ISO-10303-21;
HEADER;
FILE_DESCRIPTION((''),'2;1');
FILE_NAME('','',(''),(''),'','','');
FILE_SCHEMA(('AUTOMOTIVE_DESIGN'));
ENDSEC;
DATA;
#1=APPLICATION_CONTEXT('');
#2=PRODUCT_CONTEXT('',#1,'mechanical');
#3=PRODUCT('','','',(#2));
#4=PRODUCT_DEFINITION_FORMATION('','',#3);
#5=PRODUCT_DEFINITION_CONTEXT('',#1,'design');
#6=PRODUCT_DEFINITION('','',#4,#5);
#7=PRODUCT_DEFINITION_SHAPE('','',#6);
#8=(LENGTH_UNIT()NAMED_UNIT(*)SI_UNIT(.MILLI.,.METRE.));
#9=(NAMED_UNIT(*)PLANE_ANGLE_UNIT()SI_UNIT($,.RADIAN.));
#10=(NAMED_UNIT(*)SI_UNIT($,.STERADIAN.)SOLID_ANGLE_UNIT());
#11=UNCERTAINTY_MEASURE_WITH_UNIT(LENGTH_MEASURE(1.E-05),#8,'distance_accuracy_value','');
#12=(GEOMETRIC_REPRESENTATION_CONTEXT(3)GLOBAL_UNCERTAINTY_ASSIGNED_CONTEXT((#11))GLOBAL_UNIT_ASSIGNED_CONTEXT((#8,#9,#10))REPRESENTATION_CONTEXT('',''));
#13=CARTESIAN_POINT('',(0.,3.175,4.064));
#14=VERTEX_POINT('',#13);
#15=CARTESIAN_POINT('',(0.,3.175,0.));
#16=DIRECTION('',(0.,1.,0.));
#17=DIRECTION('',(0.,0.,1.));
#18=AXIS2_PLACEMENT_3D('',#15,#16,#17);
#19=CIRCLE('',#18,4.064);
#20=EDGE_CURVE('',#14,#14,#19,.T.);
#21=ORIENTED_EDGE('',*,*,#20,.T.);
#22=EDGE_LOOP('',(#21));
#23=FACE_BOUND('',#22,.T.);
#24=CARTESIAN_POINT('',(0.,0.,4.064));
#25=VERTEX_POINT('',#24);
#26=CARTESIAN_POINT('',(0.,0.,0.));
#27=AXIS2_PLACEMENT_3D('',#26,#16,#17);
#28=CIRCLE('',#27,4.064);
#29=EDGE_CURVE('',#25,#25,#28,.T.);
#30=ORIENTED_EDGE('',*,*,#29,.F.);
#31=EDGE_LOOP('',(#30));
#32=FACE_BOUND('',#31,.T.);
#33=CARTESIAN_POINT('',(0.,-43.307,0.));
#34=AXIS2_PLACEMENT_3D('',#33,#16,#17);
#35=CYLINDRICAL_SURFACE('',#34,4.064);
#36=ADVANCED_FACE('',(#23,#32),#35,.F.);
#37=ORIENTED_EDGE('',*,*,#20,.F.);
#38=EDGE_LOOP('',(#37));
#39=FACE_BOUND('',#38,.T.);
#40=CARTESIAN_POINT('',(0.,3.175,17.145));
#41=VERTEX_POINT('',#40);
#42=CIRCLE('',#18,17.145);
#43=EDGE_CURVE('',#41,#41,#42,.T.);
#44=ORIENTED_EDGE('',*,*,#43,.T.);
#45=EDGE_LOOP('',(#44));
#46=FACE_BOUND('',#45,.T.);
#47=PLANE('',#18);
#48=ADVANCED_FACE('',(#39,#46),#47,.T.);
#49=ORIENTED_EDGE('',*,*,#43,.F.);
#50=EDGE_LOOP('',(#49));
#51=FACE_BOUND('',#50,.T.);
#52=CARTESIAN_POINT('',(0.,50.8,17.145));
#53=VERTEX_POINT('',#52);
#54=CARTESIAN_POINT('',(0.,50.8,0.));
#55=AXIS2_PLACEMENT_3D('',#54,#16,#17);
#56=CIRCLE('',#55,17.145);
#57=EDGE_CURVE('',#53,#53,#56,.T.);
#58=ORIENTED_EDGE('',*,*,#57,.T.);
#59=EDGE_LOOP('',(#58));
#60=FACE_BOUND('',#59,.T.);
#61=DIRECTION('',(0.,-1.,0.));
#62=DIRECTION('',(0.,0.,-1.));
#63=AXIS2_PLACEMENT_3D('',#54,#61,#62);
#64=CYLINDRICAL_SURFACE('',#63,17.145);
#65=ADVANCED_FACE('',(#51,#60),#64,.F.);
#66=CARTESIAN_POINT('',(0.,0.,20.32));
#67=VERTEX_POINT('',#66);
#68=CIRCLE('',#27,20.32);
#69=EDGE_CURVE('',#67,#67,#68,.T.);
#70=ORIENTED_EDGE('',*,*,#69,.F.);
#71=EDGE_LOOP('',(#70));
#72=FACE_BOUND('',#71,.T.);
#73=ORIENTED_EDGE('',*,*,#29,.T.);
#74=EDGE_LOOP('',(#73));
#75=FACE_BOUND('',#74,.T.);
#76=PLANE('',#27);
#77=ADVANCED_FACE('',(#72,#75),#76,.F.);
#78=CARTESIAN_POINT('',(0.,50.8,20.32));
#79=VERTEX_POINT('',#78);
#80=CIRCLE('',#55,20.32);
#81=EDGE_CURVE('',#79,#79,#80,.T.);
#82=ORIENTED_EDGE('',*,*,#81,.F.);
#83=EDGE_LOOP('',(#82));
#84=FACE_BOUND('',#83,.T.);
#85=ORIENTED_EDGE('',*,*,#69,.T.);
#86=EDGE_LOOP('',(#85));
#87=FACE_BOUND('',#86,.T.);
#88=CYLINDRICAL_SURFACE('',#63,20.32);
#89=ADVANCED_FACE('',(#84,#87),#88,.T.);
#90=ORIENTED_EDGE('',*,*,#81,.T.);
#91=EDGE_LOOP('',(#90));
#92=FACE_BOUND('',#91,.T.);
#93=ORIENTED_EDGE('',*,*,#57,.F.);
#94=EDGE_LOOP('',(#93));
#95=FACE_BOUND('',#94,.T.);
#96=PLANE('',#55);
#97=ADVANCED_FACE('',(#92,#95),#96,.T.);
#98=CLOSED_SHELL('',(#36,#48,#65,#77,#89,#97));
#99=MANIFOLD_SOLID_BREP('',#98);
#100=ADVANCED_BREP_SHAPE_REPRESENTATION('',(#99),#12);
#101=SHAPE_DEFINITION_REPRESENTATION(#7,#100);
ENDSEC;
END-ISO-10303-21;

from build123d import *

# Parameters (mm, degrees)
SKETCH1_R               = 20.32
BOSS_EXTRUDE1_DEPTH     = 50.8
SHELL1_T                = -3.175
SKETCH2_R               = 4.064
CUT_EXTRUDE1_DEPTH      = 56.623245366
CUT_EXTRUDE1_DEPTH_BACK = 46.482


with BuildPart() as part:
    # Sketch1 → Boss-Extrude1 (new body)
    with BuildSketch(Plane(origin=(0, 0, 0), x_dir=(1, 0, 0), z_dir=(0, 1, 0))):
        with Locations(Location((0, 0, 0), (0, 0, 270))):
            Circle(SKETCH1_R)
    extrude(amount=BOSS_EXTRUDE1_DEPTH)

    # Shell1
    shell1_openings = [part.faces().sort_by_distance(p)[0] for p in [
        (0, 50.8, 0),
    ]]
    offset(amount=SHELL1_T, openings=shell1_openings, kind=Kind.INTERSECTION)

    # Sketch2 → Cut-Extrude1 (cut, two sides)
    with BuildSketch(Plane(origin=(0, 3.175, 0), x_dir=(1, 0, 0), z_dir=(0, 1, 0))) as cut_extrude1_sk:
        with Locations(Location((0, 0, 0), (0, 0, 270))):
            Circle(SKETCH2_R)
    extrude(amount=CUT_EXTRUDE1_DEPTH, mode=Mode.SUBTRACT)
    extrude(cut_extrude1_sk.sketch, amount=-CUT_EXTRUDE1_DEPTH_BACK, mode=Mode.SUBTRACT)


solid = part.part
